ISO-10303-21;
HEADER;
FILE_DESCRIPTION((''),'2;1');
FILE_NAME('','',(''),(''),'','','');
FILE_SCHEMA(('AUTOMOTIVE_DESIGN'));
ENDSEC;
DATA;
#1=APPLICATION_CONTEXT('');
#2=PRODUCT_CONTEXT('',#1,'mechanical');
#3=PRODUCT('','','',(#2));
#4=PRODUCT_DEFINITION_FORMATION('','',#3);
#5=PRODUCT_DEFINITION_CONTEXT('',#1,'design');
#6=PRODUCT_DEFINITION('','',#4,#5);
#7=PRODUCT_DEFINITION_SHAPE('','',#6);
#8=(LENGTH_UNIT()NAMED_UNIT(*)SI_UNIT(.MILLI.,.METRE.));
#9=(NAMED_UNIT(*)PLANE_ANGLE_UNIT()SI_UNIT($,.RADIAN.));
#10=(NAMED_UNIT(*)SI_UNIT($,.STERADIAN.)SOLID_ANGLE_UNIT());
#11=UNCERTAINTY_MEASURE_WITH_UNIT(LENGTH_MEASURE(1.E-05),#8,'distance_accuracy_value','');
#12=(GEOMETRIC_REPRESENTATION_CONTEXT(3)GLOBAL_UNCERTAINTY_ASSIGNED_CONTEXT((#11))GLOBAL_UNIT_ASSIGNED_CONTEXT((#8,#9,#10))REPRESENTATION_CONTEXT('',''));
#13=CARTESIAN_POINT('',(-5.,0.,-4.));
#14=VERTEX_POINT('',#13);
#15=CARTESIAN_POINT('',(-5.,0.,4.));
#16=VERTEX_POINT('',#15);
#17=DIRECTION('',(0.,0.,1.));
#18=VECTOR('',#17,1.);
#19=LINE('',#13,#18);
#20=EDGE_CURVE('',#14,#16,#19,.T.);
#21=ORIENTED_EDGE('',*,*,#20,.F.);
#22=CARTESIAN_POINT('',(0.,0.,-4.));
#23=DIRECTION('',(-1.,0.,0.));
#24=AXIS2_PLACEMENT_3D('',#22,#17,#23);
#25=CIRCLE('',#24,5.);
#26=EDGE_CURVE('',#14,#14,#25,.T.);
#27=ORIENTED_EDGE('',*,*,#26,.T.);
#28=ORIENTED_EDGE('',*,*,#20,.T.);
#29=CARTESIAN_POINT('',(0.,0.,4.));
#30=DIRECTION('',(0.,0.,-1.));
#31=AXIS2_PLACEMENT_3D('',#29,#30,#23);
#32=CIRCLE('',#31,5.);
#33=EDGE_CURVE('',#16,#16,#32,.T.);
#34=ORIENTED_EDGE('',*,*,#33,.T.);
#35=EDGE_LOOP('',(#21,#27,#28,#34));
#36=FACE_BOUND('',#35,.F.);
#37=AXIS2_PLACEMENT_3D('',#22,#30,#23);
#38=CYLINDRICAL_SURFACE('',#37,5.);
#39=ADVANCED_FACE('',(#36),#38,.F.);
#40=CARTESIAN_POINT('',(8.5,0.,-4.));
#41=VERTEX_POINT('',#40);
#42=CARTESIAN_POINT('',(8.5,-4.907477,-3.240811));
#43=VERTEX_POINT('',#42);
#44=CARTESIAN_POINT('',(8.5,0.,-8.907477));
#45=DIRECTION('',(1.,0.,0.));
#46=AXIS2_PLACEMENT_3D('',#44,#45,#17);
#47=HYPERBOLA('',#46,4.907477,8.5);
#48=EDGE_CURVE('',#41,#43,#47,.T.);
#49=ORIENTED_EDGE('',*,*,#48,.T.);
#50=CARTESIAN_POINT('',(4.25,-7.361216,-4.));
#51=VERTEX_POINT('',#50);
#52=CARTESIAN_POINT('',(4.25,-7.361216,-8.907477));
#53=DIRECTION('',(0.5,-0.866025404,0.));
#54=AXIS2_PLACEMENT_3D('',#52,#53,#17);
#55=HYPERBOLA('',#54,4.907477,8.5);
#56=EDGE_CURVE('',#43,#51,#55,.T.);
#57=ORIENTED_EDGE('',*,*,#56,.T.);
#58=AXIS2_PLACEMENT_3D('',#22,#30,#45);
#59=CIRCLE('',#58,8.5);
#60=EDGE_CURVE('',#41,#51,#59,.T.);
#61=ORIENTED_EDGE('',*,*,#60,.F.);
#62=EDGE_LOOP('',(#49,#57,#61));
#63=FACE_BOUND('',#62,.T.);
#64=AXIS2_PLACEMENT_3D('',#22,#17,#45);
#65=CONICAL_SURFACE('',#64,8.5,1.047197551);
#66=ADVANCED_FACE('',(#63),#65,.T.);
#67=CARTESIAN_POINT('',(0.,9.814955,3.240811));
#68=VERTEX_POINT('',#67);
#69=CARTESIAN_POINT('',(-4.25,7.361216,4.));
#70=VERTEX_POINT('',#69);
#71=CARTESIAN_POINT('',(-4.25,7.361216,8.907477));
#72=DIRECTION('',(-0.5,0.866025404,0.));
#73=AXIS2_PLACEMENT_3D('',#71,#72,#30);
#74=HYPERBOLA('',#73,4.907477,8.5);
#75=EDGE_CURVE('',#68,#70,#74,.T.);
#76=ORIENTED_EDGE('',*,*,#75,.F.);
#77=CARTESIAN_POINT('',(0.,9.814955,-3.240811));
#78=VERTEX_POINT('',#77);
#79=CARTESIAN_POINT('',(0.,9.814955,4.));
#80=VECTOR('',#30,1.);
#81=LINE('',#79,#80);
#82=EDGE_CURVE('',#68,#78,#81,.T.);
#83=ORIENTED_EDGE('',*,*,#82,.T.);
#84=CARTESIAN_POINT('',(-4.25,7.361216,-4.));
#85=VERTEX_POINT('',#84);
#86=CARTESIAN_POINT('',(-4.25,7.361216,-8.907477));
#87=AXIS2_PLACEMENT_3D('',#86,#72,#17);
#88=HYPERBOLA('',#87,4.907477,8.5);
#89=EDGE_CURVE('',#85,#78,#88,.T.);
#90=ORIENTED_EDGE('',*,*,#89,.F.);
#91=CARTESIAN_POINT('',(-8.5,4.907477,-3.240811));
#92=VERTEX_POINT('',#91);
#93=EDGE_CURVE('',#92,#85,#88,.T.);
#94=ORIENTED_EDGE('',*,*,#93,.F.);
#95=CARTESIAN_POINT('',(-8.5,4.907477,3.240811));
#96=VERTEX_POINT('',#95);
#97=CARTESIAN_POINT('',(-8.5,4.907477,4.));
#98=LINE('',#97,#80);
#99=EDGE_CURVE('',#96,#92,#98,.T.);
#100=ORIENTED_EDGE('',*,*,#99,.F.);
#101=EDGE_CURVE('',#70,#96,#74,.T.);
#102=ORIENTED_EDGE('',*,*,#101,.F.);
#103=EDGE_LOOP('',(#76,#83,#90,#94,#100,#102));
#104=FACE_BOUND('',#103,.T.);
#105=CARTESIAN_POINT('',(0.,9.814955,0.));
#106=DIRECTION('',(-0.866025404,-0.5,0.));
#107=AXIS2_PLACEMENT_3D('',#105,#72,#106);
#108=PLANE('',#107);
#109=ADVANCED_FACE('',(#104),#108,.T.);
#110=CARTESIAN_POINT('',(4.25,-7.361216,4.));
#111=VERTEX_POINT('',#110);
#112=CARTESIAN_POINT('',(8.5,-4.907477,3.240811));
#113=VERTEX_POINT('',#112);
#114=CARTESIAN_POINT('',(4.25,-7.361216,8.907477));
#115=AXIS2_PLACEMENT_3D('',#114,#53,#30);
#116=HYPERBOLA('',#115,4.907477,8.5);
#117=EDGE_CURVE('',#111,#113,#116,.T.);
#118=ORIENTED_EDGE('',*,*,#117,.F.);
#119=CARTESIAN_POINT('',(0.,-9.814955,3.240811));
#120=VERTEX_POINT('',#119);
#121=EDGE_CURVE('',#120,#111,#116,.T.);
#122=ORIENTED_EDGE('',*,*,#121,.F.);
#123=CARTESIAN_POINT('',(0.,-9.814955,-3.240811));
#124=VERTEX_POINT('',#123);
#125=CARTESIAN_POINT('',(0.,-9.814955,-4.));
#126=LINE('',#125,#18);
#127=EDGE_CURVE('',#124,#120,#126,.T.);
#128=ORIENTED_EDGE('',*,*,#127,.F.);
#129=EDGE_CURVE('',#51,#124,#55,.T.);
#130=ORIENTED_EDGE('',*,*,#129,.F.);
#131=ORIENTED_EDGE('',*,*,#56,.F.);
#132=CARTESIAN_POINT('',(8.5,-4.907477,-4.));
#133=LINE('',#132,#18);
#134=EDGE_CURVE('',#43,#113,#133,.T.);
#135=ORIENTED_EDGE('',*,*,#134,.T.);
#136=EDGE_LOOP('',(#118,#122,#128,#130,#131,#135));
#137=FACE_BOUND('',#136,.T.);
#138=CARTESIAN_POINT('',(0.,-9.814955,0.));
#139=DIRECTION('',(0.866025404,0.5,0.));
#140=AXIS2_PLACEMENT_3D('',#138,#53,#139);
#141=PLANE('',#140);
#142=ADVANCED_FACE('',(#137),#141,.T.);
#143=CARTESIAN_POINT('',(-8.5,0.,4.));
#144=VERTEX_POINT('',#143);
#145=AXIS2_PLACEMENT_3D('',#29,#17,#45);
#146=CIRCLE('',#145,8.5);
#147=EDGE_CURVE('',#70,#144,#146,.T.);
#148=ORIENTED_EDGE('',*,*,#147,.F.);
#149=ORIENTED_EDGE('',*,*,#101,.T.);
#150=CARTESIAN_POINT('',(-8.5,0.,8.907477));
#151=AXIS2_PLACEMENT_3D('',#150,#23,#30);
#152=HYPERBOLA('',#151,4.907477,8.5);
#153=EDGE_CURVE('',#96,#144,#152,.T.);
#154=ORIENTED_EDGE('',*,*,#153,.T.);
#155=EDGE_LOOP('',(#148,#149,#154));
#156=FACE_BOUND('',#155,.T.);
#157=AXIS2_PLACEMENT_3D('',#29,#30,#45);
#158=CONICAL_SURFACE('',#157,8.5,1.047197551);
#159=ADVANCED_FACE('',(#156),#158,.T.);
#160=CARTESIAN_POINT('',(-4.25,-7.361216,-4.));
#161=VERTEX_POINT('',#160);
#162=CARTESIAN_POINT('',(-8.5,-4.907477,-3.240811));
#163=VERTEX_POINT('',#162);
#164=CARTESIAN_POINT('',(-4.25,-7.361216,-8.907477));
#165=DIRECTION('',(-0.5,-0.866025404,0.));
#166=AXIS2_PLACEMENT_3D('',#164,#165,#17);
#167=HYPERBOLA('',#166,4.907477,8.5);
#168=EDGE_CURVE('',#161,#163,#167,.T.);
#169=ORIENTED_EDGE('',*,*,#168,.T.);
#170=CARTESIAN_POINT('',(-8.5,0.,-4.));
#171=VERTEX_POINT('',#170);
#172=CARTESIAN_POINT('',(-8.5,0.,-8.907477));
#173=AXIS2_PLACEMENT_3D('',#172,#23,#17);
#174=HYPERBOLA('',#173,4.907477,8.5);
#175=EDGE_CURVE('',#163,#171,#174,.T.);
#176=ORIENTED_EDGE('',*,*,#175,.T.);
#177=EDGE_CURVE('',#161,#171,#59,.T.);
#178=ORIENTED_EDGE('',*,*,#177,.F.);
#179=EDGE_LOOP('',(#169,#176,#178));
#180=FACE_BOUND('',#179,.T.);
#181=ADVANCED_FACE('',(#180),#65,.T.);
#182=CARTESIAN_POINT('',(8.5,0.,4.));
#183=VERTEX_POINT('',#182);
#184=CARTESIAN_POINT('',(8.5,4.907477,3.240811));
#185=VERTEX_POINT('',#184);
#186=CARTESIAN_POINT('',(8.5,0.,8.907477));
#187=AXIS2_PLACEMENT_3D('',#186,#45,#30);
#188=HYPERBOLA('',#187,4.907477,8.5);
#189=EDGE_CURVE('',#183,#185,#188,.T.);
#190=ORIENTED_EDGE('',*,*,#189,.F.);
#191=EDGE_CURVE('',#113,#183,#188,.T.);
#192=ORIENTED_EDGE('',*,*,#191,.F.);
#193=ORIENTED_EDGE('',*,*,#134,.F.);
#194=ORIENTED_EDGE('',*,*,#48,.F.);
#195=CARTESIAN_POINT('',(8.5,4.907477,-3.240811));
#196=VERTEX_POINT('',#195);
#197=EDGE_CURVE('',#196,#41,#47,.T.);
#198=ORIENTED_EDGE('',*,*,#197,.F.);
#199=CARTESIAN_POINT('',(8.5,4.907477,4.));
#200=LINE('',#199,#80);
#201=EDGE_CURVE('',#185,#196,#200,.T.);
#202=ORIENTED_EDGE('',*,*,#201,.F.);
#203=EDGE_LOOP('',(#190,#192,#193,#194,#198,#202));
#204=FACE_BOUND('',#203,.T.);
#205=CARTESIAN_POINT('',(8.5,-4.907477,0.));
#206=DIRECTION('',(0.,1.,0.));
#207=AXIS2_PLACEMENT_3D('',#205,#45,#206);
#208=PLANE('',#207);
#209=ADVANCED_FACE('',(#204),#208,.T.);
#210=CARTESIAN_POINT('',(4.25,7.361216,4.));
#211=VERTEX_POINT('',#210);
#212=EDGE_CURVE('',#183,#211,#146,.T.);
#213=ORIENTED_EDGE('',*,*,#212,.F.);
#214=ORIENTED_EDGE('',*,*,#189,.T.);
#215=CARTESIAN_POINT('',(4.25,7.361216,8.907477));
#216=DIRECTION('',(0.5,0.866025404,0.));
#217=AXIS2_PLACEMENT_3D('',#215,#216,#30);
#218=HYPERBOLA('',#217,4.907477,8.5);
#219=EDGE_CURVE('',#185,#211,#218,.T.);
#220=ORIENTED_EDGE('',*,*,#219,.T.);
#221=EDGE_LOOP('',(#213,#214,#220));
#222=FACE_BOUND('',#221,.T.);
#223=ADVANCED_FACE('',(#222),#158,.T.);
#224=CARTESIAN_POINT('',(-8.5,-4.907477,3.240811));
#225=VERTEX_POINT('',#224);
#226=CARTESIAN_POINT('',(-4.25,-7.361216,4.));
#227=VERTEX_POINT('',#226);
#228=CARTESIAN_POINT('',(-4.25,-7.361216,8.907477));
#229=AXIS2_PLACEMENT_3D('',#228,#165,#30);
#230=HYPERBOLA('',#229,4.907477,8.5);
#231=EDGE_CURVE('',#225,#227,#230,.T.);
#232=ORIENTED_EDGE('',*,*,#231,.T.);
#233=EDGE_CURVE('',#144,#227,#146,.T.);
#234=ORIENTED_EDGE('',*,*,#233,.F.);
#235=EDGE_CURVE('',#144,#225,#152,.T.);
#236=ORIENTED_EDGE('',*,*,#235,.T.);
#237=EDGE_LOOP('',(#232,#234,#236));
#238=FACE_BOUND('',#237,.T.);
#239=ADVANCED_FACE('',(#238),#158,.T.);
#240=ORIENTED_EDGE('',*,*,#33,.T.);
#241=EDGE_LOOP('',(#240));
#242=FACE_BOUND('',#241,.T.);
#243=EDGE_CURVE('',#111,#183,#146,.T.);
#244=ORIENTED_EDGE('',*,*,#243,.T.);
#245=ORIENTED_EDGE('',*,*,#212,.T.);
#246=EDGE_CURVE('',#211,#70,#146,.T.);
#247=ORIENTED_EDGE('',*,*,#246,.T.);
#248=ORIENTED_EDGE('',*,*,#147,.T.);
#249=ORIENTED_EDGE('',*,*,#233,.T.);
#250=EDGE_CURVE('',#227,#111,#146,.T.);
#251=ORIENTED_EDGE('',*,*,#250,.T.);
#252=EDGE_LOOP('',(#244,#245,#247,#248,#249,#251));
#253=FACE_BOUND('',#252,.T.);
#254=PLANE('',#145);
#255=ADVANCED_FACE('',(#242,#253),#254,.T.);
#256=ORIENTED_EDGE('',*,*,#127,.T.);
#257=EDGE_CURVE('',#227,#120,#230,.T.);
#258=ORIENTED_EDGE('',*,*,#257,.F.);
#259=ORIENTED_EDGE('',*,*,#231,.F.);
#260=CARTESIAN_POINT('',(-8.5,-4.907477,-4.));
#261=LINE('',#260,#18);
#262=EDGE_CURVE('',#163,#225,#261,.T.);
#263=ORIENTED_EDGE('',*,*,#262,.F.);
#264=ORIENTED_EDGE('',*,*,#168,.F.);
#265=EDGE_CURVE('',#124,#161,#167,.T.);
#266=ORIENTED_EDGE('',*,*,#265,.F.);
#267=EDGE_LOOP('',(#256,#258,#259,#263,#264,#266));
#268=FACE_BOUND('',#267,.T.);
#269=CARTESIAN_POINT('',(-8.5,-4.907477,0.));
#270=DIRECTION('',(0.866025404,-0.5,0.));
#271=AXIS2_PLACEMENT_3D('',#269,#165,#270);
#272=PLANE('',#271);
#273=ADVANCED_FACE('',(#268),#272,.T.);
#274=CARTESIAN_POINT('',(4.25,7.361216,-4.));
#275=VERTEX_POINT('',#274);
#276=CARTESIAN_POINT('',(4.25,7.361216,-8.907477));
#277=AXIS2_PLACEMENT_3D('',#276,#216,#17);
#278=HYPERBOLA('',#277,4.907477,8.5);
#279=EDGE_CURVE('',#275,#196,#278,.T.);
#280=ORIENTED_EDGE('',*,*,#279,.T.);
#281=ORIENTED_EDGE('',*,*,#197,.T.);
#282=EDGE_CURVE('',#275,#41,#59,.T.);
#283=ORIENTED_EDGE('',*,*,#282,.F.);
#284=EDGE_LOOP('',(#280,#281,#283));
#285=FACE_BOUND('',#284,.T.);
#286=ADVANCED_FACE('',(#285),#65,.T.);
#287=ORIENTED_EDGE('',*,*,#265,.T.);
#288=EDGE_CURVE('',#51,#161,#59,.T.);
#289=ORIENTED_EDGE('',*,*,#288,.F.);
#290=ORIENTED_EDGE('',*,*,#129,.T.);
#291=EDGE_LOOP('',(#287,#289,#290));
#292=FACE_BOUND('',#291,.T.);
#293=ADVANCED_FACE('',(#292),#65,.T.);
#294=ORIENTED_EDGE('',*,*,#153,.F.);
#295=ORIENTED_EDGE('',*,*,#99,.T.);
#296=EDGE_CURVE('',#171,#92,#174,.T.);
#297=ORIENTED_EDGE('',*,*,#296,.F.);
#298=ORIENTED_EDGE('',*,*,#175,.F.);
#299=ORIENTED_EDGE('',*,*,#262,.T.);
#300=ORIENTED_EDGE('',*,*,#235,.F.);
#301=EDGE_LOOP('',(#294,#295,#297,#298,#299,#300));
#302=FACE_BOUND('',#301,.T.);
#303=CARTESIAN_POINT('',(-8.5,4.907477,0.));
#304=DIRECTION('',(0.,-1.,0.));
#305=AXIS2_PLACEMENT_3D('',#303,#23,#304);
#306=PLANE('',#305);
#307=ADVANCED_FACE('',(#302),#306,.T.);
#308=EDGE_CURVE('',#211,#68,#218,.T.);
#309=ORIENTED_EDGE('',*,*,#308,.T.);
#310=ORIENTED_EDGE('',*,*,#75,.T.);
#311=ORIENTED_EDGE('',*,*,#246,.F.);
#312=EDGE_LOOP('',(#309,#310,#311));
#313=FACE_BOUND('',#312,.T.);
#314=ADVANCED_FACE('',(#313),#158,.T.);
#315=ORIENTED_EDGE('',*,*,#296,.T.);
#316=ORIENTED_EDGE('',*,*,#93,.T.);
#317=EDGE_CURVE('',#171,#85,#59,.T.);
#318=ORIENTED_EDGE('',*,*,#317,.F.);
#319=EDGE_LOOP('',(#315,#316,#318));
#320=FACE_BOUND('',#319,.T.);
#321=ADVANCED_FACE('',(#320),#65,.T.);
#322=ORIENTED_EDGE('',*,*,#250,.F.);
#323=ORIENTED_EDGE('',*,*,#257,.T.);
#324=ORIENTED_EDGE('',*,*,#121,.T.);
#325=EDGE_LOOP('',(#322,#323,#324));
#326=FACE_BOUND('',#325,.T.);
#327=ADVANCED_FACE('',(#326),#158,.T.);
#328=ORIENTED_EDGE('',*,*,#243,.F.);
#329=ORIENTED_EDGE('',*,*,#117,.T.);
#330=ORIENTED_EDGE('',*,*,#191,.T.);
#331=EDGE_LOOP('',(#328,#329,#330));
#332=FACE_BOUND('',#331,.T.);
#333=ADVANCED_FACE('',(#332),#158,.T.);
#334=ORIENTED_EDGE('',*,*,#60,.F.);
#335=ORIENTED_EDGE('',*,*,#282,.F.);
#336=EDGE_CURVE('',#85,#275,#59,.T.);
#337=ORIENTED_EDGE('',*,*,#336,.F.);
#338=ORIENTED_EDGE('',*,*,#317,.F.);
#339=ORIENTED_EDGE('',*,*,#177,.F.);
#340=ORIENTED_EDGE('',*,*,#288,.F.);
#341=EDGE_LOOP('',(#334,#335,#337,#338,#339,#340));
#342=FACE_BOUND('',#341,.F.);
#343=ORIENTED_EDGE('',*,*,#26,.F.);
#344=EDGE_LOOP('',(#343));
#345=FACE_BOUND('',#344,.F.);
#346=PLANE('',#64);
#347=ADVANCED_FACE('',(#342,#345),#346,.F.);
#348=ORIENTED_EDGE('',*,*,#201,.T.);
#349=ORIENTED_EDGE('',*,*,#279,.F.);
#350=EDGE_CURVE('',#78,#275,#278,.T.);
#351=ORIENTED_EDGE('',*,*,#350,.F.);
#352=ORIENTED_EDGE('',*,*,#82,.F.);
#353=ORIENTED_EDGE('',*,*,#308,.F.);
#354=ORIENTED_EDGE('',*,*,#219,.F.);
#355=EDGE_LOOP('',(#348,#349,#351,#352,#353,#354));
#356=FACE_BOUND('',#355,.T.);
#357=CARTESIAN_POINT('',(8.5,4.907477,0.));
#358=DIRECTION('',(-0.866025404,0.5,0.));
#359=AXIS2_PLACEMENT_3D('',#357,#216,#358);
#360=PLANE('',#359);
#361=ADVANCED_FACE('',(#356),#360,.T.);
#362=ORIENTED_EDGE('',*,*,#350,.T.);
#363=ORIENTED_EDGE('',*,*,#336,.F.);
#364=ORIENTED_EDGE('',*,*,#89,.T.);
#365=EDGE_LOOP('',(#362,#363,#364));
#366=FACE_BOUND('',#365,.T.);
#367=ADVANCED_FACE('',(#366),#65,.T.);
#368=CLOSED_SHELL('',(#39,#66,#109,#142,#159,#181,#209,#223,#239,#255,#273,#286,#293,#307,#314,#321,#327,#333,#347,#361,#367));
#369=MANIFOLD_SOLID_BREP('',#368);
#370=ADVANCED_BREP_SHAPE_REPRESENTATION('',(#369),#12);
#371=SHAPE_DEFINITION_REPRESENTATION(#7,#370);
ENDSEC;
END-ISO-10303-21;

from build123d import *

# Parameters (mm, degrees)
EXTRUDE1_DEPTH          = 4
SKETCH13_R              = 5
BOSS_EXTRUDE1_DEPTH     = 8
SKETCH7_OUTSIDE_W       = 112.422
SKETCH7_OUTSIDE_H       = 115.052
SKETCH7_OUTSIDE_R       = 8.5
EXTRUDE2_DEPTH          = 25.4
EXTRUDE2_DRAFT          = -60
MIRROR2_COPY_1_SKETCH_W = 112.422
MIRROR2_COPY_1_SKETCH_H = 115.052
MIRROR2_COPY_1_SKETCH_R = 8.5
MIRROR2_COPY_1_DEPTH    = 25.4
MIRROR2_COPY_1_DRAFT    = -60


with BuildPart() as part:
    # Sketch1 → Extrude1 (new, symmetric)
    with BuildSketch(Plane.XY):
        Polygon((-8.5, 4.907477288), (-8.5, -4.907477288), (0, -9.814954576), (8.5, -4.907477288), (8.5, 4.907477288), (0, 9.814954576), align=None)
    extrude(amount=EXTRUDE1_DEPTH, both=True)

    # Cut-Extrude2 cone 1 section (through the dimple's axis) → Cut-Extrude2 (revolve, cut)
    with BuildSketch(Plane(origin=(0, 0, 4), x_dir=(0, -1, 0), z_dir=(1, 0, 0))):
        Polygon((0, 0), (5, 0), (0, 5), align=None)
    revolve(axis=Axis((0, 0, 4), (0, 0, -1)), mode=Mode.SUBTRACT)

    # Cut-Extrude3 cone 1 section (through the dimple's axis) → Cut-Extrude3 (revolve, cut)
    with BuildSketch(Plane(origin=(0, 0, -4), x_dir=(0, 1, 0), z_dir=(1, 0, 0))):
        Polygon((0, 0), (5, 0), (0, 5), align=None)
    revolve(axis=Axis((0, 0, -4), (0, 0, 1)), mode=Mode.SUBTRACT)


with BuildPart() as body_2:
    # Sketch13 → Boss-Extrude1 (new body)
    with BuildSketch(Plane(origin=(0, 0, -4), x_dir=(-1, 0, 0), z_dir=(0, 0, -1))):
        Circle(SKETCH13_R)
    extrude(amount=-BOSS_EXTRUDE1_DEPTH)


with BuildPart() as part_1:
    add(part.part)

    # Combine1: cut body 2
    add(body_2.part, mode=Mode.SUBTRACT)


with BuildPart() as extrude2_tool:
    # Sketch7 outside → Extrude2 (with draft: the straight prism first)
    with BuildSketch(Plane.XY.offset(4)):
        Rectangle(SKETCH7_OUTSIDE_W, SKETCH7_OUTSIDE_H)
        Circle(SKETCH7_OUTSIDE_R, mode=Mode.SUBTRACT)
    extrude(amount=-EXTRUDE2_DEPTH)
    # Extrude2: the draft: its side faces are tilted about the plane it starts from
    extrude2_sides = [extrude2_tool.faces().sort_by_distance(p)[0] for p in [
        (0, -57.526, -8.7),
        (56.211, 0, -8.7),
        (0, 57.526, -8.7),
        (-56.211, 0, -8.7),
        (-8.5, 0, -8.7),
    ]]
    draft(extrude2_sides, Plane.XY.offset(4), EXTRUDE2_DRAFT)


with BuildPart() as part_2:
    add(part_1.part)

    # Extrude2: cut by extrude2_tool
    add(extrude2_tool.part, mode=Mode.SUBTRACT)


with BuildPart() as mirror2_copy_1_tool:
    # Mirror2 copy 1 sketch → Mirror2 copy 1 (with draft: the straight prism first)
    with BuildSketch(Plane(origin=(0, 0, -4), x_dir=(1, 0, 0), z_dir=(0, 0, -1))):
        Rectangle(MIRROR2_COPY_1_SKETCH_W, MIRROR2_COPY_1_SKETCH_H)
        Circle(MIRROR2_COPY_1_SKETCH_R, mode=Mode.SUBTRACT)
    extrude(amount=-MIRROR2_COPY_1_DEPTH)
    # Mirror2 copy 1: the draft: its side faces are tilted about the plane it starts from
    mirror2_copy_1_sides = [mirror2_copy_1_tool.faces().sort_by_distance(p)[0] for p in [
        (0, -57.526, 8.7),
        (56.211, 0, 8.7),
        (0, 57.526, 8.7),
        (-56.211, 0, 8.7),
        (-8.5, 0, 8.7),
    ]]
    draft(mirror2_copy_1_sides, Plane(origin=(0, 0, -4), x_dir=(1, 0, 0), z_dir=(0, 0, -1)), MIRROR2_COPY_1_DRAFT)


with BuildPart() as part_3:
    add(part_2.part)

    # Mirror2 copy 1: cut by mirror2_copy_1_tool
    add(mirror2_copy_1_tool.part, mode=Mode.SUBTRACT)


solid = part_3.part
